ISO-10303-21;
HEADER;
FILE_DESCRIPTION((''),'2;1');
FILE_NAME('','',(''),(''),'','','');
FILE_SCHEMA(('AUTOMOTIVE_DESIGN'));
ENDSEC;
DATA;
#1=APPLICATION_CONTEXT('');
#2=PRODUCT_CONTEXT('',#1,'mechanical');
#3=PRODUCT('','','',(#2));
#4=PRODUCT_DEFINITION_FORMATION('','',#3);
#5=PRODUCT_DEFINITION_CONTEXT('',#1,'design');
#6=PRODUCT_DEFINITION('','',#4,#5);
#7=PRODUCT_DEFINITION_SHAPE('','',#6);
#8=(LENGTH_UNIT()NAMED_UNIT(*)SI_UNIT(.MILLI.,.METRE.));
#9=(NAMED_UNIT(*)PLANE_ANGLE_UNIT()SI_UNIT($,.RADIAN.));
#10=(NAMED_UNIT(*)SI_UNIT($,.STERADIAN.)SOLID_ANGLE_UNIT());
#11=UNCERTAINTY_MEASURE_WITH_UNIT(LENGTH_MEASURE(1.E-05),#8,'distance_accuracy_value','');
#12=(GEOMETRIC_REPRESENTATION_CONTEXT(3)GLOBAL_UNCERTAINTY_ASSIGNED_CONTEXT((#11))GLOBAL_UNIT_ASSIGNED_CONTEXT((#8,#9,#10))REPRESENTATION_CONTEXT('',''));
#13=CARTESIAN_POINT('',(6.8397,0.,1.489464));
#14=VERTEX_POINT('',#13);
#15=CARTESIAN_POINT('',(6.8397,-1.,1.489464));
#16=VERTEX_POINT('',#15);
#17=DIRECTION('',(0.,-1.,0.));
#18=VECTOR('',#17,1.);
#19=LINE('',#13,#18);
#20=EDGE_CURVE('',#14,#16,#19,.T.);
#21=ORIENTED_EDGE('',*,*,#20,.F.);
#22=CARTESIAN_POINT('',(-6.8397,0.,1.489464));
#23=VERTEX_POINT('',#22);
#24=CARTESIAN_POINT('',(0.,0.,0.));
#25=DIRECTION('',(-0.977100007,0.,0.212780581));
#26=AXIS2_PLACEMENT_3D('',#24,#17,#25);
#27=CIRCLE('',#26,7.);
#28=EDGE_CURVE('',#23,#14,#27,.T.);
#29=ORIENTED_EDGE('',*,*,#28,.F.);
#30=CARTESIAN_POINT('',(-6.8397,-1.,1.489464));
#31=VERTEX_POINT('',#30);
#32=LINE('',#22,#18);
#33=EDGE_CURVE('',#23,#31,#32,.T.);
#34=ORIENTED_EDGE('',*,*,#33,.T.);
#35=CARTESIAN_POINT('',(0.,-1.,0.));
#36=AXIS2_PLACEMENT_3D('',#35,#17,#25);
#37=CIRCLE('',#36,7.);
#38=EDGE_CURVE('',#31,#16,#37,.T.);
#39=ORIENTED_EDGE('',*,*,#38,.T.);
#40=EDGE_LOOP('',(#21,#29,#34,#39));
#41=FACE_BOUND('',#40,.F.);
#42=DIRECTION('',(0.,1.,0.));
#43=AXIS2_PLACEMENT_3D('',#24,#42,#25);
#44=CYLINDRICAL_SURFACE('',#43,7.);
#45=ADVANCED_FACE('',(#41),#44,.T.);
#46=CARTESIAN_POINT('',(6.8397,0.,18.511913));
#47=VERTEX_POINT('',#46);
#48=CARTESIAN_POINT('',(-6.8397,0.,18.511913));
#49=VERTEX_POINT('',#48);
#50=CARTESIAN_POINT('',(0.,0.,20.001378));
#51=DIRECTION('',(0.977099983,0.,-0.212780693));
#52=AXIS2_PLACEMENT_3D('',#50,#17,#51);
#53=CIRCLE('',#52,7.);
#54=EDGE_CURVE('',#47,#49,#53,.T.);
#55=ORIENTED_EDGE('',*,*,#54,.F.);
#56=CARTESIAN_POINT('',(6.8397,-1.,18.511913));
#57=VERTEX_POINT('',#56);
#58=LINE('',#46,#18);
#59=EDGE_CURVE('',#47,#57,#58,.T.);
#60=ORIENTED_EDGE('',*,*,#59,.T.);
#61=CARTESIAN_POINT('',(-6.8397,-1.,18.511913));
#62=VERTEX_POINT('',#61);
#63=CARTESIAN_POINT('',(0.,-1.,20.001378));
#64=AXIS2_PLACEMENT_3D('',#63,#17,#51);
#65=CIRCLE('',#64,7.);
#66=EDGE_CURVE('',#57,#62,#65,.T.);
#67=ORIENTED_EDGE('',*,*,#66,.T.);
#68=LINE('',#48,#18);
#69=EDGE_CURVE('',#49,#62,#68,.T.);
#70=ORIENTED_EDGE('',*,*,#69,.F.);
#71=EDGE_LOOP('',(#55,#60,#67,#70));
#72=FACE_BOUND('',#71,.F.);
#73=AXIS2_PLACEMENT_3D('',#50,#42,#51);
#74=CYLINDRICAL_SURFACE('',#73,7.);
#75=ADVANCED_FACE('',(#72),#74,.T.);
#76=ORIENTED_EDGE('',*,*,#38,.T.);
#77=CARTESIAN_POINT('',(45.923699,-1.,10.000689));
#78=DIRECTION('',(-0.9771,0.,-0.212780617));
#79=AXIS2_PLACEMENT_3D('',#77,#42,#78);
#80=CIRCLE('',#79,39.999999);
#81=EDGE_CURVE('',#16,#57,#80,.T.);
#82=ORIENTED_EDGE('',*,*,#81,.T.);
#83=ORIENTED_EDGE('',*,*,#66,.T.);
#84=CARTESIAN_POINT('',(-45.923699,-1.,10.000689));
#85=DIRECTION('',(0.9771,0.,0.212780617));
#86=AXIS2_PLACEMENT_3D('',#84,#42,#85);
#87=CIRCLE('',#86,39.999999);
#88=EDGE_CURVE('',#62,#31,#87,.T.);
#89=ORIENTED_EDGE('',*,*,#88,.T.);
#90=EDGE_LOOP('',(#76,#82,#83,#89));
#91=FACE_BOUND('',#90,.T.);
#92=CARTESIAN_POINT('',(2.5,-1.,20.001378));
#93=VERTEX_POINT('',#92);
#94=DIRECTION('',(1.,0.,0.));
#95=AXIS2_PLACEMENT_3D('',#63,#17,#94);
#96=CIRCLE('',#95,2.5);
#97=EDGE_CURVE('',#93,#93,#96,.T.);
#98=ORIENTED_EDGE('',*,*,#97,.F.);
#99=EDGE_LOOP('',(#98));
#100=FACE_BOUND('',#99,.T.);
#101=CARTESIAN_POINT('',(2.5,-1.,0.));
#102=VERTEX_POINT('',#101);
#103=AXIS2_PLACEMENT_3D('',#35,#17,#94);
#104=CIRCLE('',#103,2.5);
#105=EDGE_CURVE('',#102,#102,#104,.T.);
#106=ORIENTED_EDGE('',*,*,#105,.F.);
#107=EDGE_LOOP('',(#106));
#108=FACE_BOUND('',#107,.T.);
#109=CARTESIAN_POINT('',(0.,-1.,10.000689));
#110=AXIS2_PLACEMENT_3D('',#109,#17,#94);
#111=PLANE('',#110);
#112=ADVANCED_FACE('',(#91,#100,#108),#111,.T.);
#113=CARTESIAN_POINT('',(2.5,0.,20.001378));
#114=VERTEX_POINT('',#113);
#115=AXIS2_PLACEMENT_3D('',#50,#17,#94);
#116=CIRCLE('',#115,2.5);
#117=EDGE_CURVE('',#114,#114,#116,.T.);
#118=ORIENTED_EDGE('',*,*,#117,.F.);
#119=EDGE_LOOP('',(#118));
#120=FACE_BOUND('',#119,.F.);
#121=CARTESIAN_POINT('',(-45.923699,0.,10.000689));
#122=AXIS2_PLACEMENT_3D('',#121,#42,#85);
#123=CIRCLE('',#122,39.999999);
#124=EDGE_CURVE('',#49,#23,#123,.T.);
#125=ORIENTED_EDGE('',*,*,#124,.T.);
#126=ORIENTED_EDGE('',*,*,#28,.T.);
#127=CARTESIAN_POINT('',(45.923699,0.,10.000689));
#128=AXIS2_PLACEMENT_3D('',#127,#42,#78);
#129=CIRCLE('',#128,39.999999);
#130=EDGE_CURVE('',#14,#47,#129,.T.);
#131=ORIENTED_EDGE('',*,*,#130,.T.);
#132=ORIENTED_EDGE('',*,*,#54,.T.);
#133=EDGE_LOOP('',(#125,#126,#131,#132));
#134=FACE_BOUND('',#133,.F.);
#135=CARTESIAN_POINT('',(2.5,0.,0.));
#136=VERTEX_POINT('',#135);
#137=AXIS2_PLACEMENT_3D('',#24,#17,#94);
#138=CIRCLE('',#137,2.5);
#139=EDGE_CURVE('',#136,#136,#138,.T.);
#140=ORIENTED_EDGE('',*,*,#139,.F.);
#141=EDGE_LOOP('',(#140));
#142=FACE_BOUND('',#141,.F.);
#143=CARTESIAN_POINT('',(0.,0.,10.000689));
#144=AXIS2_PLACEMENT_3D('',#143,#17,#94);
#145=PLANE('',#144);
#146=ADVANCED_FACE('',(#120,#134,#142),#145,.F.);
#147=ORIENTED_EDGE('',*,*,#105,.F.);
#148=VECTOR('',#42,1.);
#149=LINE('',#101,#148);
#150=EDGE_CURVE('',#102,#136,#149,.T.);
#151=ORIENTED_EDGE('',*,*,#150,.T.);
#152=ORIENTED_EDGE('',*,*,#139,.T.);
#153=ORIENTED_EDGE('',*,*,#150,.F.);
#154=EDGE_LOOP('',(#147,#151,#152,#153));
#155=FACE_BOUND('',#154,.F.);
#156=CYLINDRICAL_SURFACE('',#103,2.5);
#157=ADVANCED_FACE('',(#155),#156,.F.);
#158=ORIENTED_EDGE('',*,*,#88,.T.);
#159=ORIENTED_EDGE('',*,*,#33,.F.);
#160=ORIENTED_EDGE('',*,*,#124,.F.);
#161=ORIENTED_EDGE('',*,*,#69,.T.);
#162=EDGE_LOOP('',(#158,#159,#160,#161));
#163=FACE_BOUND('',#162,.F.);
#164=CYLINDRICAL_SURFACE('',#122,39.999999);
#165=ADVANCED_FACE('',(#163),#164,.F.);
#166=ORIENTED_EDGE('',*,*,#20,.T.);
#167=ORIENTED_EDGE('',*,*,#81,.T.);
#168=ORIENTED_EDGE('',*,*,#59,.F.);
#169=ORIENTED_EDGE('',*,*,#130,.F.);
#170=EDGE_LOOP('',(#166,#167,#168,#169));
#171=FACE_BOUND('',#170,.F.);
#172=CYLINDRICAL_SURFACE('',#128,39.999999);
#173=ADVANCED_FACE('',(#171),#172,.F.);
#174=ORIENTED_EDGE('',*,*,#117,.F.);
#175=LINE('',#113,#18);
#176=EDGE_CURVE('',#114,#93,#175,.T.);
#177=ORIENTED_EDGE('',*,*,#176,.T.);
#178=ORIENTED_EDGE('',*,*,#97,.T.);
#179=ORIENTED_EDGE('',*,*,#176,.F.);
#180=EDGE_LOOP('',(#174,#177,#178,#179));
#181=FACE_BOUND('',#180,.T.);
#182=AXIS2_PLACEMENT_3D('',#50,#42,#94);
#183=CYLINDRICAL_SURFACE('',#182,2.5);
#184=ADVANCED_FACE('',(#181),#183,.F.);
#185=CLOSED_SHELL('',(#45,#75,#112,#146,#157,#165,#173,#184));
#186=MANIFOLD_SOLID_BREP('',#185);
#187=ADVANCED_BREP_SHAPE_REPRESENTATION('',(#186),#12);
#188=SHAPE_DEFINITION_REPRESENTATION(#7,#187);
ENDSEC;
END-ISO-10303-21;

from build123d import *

# Parameters (mm, degrees)
F0_R     = 2.5
F1_DEPTH = 1
F2_R     = 2.5
F3_DEPTH = 1


with BuildPart() as f1:
    # F0 (on Front) → F1 (new body)
    with BuildSketch(Plane.XZ):
        with BuildLine():
            ThreePointArc((-6.8397, 18.511913), (-5.9237, 10.000689), (-6.8397, 1.489464))
            ThreePointArc((-6.8397, 1.489464), (0, -7), (6.8397, 1.489464))
            ThreePointArc((6.8397, 1.489464), (5.9237, 10.000689), (6.8397, 18.511913))
            ThreePointArc((6.8397, 18.511913), (0, 27.001378), (-6.8397, 18.511913))
        make_face()
        with Locations((0, 20.001378)):
            Circle(F0_R, mode=Mode.SUBTRACT)
    extrude(amount=F1_DEPTH)

    # F2 (on face) → F3 (cut)
    with BuildSketch(Plane.XZ.offset(1)):
        Circle(F2_R)
    extrude(amount=-F3_DEPTH, mode=Mode.SUBTRACT)


solid = f1.part
